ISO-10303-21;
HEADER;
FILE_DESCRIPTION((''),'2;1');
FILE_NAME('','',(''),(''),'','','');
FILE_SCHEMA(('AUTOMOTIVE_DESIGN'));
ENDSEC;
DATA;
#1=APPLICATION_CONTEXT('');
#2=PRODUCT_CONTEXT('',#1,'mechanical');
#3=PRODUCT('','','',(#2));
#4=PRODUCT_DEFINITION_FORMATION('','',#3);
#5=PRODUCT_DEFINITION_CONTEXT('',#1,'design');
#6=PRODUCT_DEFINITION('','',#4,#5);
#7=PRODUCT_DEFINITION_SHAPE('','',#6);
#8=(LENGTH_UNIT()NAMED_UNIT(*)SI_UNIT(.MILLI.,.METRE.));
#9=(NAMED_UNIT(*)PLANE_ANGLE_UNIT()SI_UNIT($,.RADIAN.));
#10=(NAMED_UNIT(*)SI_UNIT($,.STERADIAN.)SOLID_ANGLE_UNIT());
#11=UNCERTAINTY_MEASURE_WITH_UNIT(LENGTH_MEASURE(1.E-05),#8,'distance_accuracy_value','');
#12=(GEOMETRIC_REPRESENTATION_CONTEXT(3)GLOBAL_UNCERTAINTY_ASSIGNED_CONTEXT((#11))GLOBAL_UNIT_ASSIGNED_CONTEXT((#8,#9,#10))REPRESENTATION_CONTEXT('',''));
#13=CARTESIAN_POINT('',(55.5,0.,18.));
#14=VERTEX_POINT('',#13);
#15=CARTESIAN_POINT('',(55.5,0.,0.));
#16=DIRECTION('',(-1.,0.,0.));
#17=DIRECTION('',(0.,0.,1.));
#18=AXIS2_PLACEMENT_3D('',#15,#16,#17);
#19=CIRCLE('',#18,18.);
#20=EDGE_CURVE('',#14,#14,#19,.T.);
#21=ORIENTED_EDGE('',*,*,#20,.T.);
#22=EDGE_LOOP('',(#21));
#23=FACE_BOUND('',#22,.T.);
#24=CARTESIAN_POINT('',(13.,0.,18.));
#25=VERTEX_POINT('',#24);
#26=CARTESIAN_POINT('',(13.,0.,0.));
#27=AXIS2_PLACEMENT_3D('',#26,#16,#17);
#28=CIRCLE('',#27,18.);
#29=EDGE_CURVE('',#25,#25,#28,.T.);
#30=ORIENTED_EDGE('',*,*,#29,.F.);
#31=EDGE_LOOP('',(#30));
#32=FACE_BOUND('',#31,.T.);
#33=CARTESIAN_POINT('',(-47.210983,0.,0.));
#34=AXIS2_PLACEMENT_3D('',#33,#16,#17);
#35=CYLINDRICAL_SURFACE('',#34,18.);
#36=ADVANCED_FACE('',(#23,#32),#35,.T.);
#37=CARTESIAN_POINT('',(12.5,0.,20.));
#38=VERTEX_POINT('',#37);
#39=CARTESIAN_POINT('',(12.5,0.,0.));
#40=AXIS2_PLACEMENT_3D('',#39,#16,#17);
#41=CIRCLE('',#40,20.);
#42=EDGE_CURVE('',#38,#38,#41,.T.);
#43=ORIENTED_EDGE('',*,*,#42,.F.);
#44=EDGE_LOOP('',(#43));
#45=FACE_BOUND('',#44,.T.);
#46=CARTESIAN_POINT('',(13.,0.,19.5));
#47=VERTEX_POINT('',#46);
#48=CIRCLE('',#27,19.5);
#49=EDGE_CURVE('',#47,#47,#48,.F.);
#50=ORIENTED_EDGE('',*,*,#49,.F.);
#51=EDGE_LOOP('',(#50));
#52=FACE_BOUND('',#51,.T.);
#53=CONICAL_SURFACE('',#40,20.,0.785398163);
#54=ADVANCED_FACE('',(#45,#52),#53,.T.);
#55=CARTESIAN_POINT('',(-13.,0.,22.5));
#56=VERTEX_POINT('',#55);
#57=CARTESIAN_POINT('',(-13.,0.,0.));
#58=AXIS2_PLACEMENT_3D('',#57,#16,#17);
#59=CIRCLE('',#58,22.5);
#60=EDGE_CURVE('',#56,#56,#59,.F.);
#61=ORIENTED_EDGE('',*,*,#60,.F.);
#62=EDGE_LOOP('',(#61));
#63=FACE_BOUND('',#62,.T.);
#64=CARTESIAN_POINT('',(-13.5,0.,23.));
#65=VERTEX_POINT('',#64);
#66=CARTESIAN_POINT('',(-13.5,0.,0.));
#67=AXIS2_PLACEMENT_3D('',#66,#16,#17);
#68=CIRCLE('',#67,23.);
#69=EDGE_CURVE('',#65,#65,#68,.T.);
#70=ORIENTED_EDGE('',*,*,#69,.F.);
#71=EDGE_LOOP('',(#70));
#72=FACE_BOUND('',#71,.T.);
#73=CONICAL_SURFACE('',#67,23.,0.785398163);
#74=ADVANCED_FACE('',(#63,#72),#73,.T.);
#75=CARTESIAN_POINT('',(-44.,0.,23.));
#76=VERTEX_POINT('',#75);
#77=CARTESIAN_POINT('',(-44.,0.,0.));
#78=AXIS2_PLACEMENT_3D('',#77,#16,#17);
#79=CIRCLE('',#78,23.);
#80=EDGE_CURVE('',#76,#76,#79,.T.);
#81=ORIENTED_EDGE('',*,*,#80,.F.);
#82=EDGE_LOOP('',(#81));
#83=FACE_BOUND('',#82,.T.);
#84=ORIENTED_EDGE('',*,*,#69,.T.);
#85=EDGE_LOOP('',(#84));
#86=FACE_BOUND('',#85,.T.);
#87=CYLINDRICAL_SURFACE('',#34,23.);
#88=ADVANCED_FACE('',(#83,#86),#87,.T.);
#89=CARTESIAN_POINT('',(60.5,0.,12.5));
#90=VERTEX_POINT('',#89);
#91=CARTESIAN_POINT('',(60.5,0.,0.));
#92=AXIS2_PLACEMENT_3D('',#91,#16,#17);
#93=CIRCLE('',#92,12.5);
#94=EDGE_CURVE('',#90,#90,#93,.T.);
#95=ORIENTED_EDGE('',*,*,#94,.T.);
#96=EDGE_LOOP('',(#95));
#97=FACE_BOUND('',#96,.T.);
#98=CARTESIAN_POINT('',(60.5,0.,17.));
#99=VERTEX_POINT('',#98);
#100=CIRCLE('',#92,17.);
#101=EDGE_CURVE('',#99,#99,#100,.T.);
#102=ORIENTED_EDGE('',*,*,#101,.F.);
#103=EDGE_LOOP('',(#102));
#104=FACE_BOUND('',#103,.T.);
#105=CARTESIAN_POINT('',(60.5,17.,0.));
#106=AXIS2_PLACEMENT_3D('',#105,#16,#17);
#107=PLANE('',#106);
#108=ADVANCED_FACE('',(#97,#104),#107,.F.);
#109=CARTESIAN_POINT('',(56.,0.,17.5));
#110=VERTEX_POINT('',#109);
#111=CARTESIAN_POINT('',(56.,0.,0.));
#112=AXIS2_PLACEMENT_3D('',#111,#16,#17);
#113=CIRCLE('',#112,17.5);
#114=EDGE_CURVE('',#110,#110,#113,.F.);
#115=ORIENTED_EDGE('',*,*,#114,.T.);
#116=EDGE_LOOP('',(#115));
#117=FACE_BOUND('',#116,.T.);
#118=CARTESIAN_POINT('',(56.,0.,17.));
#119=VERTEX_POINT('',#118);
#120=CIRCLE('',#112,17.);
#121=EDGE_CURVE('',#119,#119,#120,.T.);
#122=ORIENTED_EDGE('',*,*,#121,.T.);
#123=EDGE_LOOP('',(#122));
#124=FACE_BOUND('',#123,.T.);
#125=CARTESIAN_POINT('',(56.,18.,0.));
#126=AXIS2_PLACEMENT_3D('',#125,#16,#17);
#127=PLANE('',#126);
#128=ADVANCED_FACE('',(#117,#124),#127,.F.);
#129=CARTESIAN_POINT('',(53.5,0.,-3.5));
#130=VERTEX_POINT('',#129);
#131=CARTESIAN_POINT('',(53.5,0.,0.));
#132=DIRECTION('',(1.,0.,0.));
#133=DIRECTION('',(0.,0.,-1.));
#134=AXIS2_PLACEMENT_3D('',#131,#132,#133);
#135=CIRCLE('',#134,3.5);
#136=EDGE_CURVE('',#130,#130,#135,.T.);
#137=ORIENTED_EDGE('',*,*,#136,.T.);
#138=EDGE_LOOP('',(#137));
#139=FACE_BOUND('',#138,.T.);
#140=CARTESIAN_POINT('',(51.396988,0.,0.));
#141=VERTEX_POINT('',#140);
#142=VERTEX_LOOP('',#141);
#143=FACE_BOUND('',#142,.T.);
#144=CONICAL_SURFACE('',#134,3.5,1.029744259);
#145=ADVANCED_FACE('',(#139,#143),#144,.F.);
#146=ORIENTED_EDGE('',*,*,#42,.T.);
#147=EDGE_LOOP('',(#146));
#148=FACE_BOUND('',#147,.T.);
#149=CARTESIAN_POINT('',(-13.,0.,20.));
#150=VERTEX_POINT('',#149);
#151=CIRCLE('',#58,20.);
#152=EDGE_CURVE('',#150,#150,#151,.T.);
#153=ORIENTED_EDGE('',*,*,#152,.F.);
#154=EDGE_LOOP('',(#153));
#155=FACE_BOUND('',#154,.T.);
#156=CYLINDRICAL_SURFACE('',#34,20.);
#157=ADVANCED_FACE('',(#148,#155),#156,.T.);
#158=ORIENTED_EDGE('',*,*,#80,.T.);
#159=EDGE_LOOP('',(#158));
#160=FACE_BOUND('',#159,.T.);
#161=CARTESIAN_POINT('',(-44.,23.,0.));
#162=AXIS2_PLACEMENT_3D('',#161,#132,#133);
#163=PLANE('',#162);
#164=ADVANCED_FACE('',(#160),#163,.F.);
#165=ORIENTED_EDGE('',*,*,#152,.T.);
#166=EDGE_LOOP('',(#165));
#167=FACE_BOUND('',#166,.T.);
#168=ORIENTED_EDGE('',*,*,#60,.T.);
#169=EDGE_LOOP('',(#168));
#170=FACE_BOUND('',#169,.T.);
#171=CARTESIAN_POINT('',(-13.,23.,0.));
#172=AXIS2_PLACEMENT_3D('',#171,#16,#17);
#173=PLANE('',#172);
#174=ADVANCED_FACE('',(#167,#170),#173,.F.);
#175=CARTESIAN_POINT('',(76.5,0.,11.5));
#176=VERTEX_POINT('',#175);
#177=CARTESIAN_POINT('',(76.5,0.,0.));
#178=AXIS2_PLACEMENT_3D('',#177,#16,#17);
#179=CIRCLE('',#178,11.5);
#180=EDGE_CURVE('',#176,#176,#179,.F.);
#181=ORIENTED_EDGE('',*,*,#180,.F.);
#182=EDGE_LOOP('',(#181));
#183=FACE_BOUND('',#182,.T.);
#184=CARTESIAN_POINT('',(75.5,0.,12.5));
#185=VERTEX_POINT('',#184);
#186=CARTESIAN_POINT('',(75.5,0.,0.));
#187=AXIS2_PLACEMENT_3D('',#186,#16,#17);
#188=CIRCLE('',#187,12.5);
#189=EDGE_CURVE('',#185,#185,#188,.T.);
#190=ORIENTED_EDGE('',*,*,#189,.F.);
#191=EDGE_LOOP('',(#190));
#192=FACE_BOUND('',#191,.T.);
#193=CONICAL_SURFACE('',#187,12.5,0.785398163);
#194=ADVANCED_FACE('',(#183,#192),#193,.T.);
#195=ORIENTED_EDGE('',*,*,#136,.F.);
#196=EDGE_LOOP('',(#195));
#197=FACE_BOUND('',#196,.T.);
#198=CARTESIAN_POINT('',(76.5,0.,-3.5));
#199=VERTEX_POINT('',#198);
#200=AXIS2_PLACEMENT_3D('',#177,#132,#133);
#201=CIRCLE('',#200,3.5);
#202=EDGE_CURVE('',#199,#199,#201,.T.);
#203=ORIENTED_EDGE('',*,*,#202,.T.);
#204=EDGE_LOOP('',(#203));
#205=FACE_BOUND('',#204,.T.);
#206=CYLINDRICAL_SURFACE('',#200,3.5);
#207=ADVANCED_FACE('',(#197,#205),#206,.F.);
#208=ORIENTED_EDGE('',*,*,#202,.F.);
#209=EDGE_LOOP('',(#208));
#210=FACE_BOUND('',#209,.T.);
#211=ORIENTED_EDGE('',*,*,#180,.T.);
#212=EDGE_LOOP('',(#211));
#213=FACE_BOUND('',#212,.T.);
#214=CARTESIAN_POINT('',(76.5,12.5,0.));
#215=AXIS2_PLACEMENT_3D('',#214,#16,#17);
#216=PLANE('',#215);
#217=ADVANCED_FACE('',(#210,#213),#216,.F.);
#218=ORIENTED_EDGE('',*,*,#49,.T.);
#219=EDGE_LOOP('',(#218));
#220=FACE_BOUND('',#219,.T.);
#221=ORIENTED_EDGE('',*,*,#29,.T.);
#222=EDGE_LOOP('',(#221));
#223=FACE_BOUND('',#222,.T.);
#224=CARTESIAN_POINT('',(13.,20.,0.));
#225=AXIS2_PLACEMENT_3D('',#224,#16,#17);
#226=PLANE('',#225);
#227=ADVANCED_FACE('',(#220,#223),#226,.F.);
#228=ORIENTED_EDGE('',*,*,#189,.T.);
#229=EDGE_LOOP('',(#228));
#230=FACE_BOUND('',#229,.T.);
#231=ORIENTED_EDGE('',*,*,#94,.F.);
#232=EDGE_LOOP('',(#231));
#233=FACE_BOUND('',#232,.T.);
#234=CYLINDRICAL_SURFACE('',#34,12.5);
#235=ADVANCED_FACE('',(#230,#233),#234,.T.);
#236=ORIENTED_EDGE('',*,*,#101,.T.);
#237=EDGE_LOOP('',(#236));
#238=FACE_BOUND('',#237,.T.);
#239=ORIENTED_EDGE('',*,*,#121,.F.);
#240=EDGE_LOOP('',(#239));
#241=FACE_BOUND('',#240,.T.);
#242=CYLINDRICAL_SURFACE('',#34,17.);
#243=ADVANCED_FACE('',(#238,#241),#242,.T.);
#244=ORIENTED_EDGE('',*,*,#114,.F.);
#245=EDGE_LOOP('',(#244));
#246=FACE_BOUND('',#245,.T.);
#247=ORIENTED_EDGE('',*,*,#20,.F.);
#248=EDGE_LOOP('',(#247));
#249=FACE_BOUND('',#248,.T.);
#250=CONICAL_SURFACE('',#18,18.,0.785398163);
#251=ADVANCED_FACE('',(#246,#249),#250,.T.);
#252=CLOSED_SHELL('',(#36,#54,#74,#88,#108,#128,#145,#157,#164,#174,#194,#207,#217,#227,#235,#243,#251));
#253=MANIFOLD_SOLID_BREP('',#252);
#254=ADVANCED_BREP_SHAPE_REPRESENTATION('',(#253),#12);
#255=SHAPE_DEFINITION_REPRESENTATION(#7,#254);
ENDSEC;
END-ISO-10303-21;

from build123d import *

# Parameters (mm, degrees)
CHANFREIN1_SIZE           = 0.5
CHANFREIN2_SIZE           = 1
TROU_TARAUD_M8X1_01_D     = 7
TROU_TARAUD_M8X1_01_DEPTH = 23
TROU_TARAUD_M8X1_01_TIP   = 2.103012167


with BuildPart() as part:
    # Esquisse1 → Révolution1 (revolve)
    with BuildSketch(Plane.XY, mode=Mode.PRIVATE) as r_volution1_sk:
        Polygon((-44, 23), (-13, 23), (-13, 20), (13, 20), (13, 18), (56, 18), (56, 17), (60.5, 17), (60.5, 12.5), (76.5, 12.5), (76.5, 0), (-44, 0), align=None)
    revolve(r_volution1_sk.sketch.rotate(Axis((-47.210983023, 0, 0), (1, 0, 0)), 90), axis=Axis((-47.210983023, 0, 0), (1, 0, 0)))

    # Chanfrein1
    chanfrein1_edges = [part.edges().sort_by_distance(p)[0] for p in [
        (56, 0, -18),
        (13, 0, -20),
        (-13, 0, -23),
    ]]
    chamfer(chanfrein1_edges, length=CHANFREIN1_SIZE)

    # Chanfrein2
    chanfrein2_edges = [part.edges().sort_by_distance(p)[0] for p in [
        (76.5, 0, -12.5),
    ]]
    chamfer(chanfrein2_edges, length=CHANFREIN2_SIZE)

    # Trou taraudé M8x1.01
    with Locations(Plane(origin=(76.5, 0, 0), x_dir=(0, 0, -1), z_dir=(1, 0, 0))):
        with Locations((0, 0)):
            Hole(TROU_TARAUD_M8X1_01_D / 2, depth=TROU_TARAUD_M8X1_01_DEPTH)
            with Locations((0, 0, -(TROU_TARAUD_M8X1_01_DEPTH + TROU_TARAUD_M8X1_01_TIP / 2))):  # 118° drill point
                Cone(0, TROU_TARAUD_M8X1_01_D / 2, TROU_TARAUD_M8X1_01_TIP, mode=Mode.SUBTRACT)


solid = part.part
